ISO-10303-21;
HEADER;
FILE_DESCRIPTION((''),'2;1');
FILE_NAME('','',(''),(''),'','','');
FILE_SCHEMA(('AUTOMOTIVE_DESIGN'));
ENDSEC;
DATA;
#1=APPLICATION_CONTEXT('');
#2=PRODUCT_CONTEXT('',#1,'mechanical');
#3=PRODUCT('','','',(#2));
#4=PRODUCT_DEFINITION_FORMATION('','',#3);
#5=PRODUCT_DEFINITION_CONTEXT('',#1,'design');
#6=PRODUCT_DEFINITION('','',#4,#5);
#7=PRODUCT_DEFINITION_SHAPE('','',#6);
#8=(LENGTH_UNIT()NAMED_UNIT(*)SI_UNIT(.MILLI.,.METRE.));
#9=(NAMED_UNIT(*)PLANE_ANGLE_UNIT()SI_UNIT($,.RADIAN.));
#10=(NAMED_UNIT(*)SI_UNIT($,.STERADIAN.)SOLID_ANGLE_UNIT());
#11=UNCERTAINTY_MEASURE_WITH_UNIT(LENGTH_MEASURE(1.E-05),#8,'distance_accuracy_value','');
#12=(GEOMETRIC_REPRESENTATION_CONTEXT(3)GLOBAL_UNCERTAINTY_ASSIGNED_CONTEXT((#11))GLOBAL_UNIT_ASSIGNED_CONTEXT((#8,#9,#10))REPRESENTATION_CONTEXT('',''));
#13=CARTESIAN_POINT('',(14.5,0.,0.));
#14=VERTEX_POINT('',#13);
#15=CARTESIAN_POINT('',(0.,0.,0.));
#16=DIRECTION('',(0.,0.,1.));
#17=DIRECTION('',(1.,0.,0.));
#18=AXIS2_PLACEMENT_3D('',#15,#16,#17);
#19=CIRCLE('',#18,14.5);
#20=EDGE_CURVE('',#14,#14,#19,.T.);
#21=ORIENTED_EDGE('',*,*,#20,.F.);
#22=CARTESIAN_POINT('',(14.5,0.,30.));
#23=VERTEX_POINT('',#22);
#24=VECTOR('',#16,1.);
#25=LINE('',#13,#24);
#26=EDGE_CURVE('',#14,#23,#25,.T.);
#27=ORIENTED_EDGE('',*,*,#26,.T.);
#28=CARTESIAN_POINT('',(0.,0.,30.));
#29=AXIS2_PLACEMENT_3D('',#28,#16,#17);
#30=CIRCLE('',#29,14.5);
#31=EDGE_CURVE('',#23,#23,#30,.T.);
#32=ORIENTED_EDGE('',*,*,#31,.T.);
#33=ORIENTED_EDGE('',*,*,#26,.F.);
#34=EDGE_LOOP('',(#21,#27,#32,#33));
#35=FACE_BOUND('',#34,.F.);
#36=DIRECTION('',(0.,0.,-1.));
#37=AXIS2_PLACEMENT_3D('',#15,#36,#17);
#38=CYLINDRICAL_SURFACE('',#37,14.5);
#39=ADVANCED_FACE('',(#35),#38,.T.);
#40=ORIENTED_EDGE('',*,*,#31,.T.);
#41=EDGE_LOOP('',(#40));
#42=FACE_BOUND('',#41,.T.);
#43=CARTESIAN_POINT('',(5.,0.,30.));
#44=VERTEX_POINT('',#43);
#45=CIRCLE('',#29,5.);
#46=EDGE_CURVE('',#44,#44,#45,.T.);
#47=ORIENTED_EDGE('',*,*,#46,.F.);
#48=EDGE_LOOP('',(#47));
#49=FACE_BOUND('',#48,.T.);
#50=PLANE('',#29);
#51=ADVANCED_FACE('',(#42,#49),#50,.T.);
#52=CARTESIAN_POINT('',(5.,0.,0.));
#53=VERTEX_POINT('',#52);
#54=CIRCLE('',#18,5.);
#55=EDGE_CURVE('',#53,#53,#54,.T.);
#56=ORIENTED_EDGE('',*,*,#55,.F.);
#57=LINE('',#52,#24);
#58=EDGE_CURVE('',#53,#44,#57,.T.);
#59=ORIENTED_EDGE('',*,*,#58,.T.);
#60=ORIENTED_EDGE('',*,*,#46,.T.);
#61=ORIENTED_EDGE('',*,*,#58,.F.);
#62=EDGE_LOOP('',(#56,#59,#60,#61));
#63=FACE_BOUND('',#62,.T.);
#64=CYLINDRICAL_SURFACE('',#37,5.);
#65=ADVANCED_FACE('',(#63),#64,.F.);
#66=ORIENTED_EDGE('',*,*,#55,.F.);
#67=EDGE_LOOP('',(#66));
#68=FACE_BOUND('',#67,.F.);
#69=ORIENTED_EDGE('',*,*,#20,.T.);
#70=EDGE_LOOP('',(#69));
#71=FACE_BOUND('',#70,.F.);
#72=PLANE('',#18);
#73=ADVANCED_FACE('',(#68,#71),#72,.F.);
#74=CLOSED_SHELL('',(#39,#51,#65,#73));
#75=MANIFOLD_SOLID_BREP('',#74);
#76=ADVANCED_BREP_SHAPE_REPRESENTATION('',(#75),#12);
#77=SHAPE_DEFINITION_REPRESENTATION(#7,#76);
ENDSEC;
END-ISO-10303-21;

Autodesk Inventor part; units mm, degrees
ref_plane "YZ Plane" through (0, 0, 0) normal (1, 0, 0) x (0, 1, 0)
ref_plane "XZ Plane" through (0, 0, 0) normal (0, 1, 0) x (-1, 0, 0)
ref_plane "XY Plane" through (0, 0, 0) normal (0, 0, 1) x (1, 0, 0)
sketch "Skizze1" plane through (0, 0, 0) normal (0, 0, 1) x (1, 0, 0)
  circle A0 centre (0, 0) radius 5
  circle A1 centre (0, 0) radius 14.5
  dimension "d0" = 10
  dimension "d1" = 29
extrude "Extrusion1" add sketch "Skizze1" along normal blind 30
properties part number "KoplungLenkerOben"
